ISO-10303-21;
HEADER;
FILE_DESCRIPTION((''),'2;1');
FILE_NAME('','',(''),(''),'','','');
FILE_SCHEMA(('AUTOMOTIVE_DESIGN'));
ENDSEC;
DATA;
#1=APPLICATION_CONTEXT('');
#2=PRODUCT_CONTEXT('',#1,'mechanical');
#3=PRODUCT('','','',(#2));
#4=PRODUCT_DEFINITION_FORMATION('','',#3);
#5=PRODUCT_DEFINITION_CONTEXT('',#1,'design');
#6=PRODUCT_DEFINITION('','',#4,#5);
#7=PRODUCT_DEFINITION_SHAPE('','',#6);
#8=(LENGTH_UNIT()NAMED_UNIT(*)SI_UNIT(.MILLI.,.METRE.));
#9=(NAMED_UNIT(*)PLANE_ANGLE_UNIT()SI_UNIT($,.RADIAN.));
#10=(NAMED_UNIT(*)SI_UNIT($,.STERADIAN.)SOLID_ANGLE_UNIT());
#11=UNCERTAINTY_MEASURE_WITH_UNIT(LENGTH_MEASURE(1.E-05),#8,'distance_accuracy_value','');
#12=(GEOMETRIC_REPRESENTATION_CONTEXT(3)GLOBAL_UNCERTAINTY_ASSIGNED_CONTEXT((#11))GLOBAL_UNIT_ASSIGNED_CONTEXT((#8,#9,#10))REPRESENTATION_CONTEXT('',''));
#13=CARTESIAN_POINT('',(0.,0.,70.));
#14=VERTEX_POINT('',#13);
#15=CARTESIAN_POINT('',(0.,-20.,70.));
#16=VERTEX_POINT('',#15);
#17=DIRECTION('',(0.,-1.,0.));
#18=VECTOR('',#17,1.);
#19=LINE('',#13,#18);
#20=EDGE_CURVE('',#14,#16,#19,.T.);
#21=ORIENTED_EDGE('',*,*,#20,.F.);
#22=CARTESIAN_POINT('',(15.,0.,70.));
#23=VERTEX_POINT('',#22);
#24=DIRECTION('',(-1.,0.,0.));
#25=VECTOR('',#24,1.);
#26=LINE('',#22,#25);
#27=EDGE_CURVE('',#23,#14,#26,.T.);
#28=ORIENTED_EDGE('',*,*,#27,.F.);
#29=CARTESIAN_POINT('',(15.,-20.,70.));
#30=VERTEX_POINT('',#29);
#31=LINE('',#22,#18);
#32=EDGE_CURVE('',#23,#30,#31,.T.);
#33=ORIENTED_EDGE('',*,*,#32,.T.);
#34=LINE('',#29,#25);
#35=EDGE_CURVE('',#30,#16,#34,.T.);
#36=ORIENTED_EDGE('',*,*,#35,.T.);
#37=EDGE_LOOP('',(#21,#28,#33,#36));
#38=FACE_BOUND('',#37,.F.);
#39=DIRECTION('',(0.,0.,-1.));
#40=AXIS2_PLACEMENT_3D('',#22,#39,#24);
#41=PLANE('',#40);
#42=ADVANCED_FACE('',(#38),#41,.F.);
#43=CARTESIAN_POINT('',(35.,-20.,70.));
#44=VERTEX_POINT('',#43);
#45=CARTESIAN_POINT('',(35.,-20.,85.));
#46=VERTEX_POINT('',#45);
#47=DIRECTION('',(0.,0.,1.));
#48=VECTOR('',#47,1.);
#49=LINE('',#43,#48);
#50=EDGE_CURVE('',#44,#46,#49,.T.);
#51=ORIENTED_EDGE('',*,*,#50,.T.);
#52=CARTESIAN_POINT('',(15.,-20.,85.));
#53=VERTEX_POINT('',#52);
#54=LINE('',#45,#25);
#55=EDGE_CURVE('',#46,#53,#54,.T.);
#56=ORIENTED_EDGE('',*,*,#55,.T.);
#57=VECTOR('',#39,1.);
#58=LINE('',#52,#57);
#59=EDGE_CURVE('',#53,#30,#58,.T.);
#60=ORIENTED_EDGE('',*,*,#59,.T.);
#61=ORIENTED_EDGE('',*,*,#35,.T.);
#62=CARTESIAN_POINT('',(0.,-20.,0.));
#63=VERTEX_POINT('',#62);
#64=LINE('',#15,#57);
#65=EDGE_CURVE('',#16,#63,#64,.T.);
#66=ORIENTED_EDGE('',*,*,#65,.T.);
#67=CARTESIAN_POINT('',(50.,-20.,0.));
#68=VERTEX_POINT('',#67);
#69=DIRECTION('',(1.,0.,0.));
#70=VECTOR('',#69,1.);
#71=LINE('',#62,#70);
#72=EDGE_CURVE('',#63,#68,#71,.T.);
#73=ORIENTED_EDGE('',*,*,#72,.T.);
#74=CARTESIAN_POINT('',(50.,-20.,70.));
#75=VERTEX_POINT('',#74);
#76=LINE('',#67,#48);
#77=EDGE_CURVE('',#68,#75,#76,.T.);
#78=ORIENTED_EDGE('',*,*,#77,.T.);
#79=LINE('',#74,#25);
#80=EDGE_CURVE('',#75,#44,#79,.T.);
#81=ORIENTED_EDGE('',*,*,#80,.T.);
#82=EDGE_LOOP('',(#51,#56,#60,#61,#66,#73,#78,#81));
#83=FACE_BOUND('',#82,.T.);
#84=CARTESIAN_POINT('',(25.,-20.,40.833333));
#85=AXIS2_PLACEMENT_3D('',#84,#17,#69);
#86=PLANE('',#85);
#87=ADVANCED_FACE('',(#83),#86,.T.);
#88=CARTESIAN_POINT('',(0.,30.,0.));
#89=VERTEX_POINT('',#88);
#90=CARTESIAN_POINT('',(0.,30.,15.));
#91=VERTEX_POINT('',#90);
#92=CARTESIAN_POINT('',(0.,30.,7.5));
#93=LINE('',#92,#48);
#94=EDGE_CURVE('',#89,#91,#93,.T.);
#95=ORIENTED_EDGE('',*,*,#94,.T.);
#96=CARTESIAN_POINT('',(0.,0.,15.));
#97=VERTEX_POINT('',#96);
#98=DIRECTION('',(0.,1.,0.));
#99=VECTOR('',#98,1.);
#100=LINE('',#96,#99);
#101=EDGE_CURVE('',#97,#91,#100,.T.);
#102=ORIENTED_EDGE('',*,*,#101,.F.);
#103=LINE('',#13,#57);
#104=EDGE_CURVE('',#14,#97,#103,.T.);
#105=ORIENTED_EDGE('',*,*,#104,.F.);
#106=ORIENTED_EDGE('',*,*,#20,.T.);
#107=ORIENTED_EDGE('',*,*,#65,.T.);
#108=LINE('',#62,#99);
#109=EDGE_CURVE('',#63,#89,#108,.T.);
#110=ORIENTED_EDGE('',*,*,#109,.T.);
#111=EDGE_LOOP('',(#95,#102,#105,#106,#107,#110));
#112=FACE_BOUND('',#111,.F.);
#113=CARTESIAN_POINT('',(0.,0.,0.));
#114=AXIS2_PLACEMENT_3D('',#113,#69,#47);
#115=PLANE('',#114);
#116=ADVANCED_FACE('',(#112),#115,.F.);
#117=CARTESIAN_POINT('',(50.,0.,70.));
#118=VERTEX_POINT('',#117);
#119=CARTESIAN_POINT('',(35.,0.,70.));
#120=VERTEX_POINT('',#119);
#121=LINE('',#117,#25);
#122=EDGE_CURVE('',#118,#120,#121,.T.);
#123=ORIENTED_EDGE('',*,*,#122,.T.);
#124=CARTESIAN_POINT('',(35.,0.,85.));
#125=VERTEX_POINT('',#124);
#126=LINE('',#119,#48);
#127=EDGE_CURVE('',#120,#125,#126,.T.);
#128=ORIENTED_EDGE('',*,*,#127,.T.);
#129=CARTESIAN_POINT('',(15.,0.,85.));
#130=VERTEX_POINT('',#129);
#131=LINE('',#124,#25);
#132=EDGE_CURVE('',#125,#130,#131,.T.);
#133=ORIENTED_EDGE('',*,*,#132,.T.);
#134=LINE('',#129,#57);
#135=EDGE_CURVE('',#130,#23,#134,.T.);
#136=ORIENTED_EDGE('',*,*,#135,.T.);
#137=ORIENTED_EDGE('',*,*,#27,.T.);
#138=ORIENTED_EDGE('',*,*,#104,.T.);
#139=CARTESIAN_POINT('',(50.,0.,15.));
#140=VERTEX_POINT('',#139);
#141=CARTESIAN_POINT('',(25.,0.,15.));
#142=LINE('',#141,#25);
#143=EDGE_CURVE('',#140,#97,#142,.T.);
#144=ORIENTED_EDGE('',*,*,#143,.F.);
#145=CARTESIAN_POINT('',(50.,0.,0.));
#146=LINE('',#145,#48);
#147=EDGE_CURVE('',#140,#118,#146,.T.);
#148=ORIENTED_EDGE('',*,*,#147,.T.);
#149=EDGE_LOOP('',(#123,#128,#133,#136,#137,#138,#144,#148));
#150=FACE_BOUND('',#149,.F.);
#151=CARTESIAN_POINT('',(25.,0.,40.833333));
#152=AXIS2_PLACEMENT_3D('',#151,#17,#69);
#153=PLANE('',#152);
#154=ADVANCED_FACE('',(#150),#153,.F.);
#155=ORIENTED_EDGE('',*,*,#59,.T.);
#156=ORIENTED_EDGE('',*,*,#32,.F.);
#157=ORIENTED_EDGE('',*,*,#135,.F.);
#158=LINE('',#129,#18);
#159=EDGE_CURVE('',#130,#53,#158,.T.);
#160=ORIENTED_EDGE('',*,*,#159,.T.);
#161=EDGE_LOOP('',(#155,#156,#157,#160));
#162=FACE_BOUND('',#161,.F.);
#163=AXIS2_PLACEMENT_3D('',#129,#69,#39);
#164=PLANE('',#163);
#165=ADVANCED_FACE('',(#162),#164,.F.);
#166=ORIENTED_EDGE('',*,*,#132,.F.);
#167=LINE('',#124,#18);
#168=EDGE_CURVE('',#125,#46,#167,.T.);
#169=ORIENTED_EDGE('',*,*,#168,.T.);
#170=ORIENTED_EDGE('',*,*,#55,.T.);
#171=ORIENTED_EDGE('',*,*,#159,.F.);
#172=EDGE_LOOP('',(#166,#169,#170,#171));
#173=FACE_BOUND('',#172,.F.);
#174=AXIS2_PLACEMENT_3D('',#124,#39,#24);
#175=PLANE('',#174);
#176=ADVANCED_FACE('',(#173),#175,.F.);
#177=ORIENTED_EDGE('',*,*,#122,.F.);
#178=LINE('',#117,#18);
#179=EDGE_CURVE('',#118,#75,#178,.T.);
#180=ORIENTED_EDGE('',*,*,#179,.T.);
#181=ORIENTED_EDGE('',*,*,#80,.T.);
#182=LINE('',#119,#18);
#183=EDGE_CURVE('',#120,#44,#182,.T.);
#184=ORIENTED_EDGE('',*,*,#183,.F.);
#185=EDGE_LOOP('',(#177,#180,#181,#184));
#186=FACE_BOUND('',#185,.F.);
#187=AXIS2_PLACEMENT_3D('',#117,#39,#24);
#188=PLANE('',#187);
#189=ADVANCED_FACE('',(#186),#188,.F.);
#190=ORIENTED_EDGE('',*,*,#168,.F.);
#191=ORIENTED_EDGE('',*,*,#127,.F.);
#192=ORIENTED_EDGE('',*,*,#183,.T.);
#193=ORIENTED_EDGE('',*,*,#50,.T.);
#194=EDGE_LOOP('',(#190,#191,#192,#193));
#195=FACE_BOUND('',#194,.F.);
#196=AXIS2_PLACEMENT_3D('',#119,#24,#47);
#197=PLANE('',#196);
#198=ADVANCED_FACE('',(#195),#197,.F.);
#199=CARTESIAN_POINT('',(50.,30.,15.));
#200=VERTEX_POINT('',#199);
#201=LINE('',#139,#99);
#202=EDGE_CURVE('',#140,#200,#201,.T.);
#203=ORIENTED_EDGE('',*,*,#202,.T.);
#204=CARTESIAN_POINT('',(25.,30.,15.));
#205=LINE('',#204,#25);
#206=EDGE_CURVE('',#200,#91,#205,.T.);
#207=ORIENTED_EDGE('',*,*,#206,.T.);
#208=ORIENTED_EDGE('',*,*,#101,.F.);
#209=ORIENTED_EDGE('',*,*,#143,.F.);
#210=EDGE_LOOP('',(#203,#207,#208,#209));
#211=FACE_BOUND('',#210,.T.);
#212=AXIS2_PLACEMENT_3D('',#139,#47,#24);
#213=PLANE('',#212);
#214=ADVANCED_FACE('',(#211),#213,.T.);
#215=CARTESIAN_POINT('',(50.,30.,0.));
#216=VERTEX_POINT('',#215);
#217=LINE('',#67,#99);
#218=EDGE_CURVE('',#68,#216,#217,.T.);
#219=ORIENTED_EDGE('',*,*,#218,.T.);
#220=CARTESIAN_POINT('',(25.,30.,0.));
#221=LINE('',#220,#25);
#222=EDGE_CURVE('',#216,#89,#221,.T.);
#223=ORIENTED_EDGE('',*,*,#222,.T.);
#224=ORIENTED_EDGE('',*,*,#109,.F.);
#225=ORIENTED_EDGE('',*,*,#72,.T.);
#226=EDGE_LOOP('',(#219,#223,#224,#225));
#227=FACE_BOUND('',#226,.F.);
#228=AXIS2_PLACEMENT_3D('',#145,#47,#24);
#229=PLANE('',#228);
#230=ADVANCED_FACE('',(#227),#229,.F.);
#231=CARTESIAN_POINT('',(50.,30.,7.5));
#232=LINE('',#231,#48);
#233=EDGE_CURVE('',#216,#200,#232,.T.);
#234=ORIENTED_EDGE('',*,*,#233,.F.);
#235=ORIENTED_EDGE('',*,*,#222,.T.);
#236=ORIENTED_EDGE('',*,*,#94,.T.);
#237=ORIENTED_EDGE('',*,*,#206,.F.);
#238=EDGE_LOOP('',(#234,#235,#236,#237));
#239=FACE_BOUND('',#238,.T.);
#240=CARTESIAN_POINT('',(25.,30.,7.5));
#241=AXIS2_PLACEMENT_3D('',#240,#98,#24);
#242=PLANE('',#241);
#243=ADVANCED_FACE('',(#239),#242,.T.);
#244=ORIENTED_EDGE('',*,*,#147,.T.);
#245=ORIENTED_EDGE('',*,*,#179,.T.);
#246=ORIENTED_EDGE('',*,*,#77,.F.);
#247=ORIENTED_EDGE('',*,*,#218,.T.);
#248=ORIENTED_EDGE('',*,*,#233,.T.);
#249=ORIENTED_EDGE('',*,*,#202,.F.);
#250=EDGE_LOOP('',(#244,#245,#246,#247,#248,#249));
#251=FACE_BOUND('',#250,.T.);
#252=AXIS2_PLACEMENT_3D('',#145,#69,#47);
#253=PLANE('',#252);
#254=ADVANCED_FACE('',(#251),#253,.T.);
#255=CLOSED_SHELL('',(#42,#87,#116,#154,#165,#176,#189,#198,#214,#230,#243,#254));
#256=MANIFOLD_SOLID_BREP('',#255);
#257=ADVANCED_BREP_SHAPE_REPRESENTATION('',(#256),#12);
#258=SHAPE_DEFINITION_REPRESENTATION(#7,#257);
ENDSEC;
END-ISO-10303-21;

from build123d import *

# Parameters (mm, degrees)
F1_DEPTH = 20
F2_W     = 50
F2_H     = 15
F3_DEPTH = 30


with BuildPart() as f1:
    # F0 (on Front) → F1 (new body)
    with BuildSketch(Plane.XZ):
        Polygon((0, 70), (0, 0), (50, 0), (50, 70), (35, 70), (35, 85), (15, 85), (15, 70), align=None)
    extrude(amount=F1_DEPTH)

    # F2 (on face) → F3 (join)
    with BuildSketch(Plane(origin=(0, 0, 0), x_dir=(-1, 0, 0), z_dir=(0, 1, 0))):
        with Locations((-25, 7.5)):
            Rectangle(F2_W, F2_H)
    extrude(amount=F3_DEPTH)


solid = f1.part
